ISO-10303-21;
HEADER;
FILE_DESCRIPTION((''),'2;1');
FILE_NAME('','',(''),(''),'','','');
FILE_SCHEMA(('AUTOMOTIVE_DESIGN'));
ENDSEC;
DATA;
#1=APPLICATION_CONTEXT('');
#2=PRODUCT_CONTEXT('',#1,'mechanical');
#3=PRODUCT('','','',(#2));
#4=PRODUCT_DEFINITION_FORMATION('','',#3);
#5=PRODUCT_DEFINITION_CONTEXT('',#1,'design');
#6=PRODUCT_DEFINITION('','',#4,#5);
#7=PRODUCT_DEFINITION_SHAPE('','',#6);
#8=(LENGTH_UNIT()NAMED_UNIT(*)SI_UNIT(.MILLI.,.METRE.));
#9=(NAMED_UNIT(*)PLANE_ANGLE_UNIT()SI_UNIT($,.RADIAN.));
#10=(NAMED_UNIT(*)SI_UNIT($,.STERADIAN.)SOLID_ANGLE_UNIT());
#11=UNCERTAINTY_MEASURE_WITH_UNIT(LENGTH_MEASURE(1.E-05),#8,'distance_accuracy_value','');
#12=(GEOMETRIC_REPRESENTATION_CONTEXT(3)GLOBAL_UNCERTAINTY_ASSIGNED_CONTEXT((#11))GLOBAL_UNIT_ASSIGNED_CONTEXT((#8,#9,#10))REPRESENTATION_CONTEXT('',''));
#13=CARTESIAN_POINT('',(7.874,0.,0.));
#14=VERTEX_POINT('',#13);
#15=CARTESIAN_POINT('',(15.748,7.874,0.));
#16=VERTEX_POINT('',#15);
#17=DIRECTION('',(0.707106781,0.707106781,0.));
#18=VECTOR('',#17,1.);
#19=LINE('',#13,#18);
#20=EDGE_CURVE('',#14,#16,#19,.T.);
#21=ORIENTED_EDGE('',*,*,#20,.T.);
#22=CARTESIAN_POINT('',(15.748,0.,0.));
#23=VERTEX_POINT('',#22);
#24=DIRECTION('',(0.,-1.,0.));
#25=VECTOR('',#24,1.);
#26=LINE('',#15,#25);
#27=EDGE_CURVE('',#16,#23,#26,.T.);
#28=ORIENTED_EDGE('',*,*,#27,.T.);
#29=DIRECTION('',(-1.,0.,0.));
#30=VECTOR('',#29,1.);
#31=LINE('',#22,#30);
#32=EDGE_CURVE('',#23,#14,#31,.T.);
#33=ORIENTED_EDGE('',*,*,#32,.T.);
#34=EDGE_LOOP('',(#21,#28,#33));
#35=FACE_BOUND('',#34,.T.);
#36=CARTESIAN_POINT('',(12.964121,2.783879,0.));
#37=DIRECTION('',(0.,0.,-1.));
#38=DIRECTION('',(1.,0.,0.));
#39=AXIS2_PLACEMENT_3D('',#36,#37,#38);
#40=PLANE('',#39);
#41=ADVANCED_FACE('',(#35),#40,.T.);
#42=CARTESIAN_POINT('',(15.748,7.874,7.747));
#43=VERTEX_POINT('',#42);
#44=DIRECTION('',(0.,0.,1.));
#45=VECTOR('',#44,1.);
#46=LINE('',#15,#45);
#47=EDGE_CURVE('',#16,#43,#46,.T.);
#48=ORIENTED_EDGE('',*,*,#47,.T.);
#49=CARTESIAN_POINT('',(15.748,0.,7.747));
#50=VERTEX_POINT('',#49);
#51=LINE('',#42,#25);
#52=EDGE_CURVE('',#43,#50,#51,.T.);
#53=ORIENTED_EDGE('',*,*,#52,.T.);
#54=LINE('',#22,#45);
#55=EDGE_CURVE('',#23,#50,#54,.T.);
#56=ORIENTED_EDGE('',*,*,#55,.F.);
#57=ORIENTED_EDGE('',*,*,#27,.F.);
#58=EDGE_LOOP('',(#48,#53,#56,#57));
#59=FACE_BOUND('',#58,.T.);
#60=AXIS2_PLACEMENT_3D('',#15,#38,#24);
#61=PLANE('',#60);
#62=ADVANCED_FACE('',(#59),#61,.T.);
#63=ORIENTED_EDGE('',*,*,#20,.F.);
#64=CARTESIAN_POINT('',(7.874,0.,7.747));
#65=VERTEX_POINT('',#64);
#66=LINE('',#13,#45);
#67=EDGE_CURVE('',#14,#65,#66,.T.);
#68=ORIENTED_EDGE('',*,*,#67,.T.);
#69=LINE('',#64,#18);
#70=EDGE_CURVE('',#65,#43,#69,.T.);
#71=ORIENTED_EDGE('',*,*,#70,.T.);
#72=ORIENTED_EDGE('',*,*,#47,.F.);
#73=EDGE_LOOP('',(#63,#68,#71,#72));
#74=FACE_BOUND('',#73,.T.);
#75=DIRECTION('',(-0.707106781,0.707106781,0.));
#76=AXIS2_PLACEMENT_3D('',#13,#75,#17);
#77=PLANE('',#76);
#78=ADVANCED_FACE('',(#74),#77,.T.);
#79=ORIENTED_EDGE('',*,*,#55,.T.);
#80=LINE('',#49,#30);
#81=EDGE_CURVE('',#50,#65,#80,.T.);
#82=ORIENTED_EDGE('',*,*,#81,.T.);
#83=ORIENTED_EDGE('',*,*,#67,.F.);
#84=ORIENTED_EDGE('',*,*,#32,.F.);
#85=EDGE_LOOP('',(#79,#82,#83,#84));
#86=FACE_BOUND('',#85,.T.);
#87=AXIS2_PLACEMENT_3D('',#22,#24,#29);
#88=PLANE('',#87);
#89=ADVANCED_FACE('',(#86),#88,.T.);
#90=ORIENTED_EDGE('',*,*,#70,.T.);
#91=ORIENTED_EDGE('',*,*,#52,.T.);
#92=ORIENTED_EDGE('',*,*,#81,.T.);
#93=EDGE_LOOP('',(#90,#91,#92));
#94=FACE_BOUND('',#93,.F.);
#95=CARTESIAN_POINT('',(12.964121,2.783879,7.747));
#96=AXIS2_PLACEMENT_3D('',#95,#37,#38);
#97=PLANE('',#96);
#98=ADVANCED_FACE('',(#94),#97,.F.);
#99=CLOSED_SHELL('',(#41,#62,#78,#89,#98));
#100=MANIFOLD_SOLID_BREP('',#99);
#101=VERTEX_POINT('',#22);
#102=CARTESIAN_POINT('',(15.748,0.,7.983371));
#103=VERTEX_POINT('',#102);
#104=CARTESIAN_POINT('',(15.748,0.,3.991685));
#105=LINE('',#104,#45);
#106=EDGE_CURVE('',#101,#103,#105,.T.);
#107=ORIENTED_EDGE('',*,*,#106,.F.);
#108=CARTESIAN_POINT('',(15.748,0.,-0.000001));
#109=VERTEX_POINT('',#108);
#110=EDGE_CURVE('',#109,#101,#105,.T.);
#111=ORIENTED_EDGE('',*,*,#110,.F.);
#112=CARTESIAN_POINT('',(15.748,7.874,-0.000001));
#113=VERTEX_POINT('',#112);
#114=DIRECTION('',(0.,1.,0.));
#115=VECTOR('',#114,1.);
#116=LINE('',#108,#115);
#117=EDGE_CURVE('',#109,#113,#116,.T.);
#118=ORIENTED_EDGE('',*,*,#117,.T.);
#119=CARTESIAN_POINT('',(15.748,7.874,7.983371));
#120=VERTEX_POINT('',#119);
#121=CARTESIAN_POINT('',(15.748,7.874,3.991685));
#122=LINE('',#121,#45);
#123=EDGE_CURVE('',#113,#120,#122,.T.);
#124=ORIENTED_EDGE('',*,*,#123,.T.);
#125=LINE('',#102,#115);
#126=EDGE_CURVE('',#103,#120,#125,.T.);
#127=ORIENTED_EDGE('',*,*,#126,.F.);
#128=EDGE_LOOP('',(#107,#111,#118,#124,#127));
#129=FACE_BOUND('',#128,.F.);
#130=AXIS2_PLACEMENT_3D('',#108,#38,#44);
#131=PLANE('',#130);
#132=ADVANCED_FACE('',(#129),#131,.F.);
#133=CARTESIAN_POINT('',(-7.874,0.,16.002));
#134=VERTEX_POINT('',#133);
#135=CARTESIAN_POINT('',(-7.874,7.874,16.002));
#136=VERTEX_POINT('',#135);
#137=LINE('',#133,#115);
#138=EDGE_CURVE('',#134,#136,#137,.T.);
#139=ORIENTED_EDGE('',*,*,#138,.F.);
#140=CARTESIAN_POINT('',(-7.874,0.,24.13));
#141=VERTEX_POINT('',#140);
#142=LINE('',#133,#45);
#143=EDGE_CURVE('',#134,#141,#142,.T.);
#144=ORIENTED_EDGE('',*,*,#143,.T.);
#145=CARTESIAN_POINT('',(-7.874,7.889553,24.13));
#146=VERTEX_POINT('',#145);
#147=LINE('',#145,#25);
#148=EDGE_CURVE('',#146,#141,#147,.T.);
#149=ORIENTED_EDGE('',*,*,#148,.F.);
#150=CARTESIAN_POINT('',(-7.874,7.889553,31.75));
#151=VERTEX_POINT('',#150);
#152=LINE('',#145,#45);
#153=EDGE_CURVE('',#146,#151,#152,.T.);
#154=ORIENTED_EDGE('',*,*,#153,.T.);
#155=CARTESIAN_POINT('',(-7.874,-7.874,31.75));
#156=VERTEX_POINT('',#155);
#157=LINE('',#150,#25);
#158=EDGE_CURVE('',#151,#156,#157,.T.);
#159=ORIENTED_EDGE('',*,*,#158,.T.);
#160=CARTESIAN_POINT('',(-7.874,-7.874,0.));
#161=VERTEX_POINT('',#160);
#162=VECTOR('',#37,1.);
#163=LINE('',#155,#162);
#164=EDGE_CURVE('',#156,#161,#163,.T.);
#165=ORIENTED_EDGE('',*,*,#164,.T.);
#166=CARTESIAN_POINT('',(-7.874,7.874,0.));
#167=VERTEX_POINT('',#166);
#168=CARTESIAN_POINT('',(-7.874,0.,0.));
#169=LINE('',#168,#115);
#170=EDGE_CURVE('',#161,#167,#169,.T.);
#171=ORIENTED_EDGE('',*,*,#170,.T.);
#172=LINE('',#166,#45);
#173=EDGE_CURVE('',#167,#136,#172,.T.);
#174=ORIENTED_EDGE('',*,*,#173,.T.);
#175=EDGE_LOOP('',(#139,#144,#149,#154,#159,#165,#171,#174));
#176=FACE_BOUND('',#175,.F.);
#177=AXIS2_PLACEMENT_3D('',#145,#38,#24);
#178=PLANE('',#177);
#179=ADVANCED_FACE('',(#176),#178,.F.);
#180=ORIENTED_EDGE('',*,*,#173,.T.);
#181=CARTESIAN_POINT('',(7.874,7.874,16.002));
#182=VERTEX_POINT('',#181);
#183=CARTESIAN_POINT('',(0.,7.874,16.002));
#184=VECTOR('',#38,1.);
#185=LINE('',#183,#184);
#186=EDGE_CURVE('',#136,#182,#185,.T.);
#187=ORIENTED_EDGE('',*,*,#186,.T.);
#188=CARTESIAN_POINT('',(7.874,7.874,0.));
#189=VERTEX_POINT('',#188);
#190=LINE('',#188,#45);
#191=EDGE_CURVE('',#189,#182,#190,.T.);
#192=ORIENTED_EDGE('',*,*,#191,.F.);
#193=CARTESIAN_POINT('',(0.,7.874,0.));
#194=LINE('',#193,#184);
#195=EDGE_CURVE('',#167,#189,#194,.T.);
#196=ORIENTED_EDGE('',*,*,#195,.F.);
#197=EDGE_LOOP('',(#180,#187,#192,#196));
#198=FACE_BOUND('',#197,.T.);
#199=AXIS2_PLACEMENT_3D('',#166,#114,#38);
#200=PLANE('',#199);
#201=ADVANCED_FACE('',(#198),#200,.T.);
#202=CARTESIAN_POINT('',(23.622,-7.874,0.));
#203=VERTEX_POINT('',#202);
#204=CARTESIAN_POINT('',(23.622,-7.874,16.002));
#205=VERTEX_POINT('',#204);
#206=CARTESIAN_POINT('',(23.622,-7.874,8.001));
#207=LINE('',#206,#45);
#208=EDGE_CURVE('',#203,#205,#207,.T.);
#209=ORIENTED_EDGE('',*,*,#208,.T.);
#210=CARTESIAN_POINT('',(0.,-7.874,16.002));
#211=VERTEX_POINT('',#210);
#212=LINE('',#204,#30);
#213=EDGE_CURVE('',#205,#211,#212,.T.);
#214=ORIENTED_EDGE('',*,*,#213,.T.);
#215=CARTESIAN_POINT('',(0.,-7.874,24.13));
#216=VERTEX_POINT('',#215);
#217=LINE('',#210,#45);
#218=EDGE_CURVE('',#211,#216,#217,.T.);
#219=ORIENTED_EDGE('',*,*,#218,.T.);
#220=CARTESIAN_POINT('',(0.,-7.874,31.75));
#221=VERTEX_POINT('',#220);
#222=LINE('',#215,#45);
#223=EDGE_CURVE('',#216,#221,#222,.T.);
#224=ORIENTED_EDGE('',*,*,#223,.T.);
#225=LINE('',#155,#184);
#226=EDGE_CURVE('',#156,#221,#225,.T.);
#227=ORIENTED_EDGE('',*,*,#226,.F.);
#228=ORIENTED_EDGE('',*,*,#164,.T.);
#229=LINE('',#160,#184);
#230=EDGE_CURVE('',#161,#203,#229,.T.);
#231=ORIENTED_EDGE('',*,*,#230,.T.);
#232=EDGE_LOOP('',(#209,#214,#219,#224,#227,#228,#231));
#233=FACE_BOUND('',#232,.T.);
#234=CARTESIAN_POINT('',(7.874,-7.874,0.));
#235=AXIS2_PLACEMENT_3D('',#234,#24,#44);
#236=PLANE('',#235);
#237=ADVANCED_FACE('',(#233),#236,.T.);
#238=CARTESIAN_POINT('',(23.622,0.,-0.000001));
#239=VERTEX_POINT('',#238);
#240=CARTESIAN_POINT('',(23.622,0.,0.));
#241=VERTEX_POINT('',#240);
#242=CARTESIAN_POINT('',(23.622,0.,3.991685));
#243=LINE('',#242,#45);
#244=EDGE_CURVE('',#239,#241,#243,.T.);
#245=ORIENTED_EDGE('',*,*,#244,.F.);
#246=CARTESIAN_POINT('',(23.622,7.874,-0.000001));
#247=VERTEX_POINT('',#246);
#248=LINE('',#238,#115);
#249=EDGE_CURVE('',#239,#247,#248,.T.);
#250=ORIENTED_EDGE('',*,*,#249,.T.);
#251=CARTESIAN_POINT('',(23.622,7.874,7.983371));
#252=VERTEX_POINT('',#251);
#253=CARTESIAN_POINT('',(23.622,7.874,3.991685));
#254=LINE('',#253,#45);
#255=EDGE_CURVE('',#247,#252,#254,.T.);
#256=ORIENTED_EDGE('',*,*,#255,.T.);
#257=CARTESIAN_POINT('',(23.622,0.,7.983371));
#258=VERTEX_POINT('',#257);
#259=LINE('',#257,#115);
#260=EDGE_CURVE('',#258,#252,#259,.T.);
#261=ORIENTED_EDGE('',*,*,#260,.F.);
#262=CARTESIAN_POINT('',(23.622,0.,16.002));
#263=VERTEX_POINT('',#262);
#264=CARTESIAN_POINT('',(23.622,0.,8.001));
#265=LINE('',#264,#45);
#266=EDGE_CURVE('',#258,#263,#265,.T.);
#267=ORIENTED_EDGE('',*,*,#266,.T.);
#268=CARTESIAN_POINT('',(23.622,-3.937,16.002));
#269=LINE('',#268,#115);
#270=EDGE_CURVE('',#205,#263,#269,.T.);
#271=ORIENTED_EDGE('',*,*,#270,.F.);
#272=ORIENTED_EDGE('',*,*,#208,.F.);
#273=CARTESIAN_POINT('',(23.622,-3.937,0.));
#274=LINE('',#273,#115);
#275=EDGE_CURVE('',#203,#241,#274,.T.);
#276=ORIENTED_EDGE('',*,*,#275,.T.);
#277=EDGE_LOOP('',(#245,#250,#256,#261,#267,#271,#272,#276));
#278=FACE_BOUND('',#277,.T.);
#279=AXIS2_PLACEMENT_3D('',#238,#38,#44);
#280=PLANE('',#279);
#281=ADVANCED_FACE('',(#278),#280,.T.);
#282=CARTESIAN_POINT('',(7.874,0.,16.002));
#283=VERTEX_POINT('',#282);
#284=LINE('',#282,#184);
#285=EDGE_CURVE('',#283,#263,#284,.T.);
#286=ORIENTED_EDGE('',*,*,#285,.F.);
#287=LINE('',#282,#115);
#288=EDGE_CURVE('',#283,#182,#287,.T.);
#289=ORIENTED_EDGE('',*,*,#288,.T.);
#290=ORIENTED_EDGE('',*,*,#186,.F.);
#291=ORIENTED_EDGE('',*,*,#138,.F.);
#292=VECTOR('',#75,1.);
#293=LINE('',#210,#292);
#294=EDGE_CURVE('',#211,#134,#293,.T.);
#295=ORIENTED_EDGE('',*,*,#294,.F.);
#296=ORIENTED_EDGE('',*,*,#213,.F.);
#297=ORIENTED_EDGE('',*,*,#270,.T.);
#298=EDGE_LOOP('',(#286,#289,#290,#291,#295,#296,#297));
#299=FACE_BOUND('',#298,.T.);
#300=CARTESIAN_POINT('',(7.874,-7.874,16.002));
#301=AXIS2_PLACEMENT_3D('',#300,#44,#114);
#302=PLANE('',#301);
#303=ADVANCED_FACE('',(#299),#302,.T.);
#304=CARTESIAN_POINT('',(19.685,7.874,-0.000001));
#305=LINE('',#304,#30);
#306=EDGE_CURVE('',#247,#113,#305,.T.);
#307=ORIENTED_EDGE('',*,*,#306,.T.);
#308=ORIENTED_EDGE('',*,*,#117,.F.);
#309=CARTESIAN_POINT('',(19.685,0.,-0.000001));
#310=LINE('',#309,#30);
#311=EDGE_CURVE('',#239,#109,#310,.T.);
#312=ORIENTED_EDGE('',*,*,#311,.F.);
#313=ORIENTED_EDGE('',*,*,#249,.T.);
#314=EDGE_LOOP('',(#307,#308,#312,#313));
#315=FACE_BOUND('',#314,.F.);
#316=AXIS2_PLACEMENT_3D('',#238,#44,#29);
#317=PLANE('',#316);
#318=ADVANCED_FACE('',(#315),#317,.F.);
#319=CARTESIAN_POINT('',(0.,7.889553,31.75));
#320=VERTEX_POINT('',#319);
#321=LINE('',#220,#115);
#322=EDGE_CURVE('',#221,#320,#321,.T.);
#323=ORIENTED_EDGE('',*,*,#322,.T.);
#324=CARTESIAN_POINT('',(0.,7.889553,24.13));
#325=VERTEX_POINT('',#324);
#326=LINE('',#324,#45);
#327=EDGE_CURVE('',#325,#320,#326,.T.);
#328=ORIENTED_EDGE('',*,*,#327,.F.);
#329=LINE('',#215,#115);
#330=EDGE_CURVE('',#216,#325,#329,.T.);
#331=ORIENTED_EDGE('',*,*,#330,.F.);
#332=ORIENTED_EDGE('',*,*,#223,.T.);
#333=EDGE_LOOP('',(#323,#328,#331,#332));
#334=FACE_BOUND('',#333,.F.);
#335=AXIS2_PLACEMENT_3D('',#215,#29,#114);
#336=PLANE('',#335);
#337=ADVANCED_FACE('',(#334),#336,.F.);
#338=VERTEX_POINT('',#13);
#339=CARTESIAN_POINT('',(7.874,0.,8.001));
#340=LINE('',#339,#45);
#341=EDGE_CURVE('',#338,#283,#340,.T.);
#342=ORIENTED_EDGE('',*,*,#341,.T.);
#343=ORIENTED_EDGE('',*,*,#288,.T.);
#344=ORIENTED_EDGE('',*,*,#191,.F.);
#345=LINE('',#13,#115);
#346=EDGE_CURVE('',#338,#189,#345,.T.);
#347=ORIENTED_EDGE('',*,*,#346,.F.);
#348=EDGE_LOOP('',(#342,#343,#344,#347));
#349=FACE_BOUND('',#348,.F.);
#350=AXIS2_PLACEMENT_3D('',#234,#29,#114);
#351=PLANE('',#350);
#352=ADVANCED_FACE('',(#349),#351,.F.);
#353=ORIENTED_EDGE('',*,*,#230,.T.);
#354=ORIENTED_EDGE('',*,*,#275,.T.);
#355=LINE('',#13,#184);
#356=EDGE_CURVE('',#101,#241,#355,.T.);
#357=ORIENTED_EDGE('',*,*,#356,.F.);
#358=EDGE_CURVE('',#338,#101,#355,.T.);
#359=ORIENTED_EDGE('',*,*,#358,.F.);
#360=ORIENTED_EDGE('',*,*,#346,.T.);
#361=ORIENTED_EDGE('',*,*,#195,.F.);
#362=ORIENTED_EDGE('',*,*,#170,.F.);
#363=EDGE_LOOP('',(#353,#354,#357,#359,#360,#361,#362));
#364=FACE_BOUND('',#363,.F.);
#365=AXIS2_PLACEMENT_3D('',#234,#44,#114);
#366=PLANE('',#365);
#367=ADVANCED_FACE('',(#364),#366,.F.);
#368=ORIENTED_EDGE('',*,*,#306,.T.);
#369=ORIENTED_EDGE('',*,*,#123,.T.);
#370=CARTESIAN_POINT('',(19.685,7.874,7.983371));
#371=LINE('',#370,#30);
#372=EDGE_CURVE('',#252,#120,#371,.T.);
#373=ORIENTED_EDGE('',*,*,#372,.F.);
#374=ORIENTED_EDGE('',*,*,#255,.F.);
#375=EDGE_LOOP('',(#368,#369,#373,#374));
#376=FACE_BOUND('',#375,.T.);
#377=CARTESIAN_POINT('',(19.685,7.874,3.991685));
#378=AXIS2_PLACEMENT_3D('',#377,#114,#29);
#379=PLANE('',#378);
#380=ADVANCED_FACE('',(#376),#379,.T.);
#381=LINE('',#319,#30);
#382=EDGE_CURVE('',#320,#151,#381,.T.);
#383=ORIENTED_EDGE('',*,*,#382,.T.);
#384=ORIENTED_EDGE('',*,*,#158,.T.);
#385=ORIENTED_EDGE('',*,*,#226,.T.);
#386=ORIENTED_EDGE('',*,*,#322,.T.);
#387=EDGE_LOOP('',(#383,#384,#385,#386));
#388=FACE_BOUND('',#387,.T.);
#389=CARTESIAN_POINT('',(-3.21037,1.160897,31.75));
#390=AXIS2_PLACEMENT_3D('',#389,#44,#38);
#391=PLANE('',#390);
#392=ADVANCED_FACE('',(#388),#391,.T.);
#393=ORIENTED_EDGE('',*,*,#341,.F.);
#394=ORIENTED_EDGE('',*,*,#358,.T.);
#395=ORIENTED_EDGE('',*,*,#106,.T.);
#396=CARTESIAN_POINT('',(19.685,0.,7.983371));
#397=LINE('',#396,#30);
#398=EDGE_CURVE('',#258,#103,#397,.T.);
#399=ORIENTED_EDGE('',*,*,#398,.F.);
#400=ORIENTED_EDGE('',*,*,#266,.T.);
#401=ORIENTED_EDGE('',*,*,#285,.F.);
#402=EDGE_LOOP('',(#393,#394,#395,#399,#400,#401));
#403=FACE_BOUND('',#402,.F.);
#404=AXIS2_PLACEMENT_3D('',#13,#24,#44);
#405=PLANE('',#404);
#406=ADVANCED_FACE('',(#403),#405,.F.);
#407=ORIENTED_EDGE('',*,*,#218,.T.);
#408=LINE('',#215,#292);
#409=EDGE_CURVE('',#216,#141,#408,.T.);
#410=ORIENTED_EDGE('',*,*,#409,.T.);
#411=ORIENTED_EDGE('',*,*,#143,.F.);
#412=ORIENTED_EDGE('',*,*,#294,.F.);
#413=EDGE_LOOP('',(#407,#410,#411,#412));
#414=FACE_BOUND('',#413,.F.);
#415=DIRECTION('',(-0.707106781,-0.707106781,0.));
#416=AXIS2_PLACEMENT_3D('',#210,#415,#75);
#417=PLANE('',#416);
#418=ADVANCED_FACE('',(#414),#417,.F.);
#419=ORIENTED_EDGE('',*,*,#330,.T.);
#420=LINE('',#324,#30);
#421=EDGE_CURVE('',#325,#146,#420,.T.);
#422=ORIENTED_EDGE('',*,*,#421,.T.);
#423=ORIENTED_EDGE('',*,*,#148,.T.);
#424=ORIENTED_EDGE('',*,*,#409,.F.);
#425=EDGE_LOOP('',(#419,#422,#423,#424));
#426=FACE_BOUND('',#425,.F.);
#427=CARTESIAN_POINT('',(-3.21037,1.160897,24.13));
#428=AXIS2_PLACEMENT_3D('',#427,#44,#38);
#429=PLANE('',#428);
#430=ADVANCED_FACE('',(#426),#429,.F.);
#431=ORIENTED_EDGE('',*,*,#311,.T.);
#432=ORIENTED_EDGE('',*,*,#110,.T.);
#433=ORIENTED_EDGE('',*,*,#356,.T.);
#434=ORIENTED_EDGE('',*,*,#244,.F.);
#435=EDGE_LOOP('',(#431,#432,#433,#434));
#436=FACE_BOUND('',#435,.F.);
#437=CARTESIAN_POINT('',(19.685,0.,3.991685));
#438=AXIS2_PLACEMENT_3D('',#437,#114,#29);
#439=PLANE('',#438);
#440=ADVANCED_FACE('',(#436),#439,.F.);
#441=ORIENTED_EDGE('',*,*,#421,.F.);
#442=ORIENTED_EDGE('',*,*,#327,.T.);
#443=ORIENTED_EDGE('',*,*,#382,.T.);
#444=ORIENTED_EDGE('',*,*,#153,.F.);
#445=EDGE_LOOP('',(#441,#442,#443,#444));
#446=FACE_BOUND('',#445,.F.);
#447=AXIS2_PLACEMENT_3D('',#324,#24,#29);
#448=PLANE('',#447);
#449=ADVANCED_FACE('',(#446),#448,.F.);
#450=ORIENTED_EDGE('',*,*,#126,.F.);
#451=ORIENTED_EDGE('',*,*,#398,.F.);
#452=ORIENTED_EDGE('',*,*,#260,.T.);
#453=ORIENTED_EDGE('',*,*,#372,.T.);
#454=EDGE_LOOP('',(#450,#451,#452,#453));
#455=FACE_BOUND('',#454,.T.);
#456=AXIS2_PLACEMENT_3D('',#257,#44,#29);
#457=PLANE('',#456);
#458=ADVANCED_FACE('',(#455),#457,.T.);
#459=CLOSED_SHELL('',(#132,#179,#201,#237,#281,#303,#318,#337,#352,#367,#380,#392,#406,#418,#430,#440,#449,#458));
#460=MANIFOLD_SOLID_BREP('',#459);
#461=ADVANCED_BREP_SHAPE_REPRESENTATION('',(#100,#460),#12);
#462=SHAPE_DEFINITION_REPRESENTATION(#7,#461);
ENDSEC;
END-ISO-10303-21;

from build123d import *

# Parameters (mm, degrees)
F0_W      = 15.748
F0_H      = 15.748
F1_DEPTH  = 16.002
F3_DEPTH  = 8.128
F5_DEPTH  = 7.62
F6_W      = 7.874
F6_H      = 16.002
F7_DEPTH  = 15.748
F8_W      = 7.874
F8_H      = 7.983371
F9_DEPTH  = 7.874
F11_DEPTH = 7.747


with BuildPart() as f1:
    # F0 (on Top) → F1 (new body)
    with BuildSketch(Plane.XY):
        Rectangle(F0_W, F0_H)
    extrude(amount=F1_DEPTH)

    # F2 (on face) → F3 (join)
    with BuildSketch(Plane.XY.offset(16.002)):
        Polygon((0, -7.874), (-7.874, 0), (-7.874, -7.874), align=None)
    extrude(amount=F3_DEPTH)

    # F4 (on face) → F5 (join)
    with BuildSketch(Plane.XY.offset(24.13)):
        Polygon((-7.874, 0), (0, -7.874), (0, 7.889553), (-7.874, 7.889553), align=None)
        Polygon((-7.874, 0), (-7.874, -7.874), (0, -7.874), align=None)
    extrude(amount=F5_DEPTH)

    # F6 (on face) → F7 (join)
    with BuildSketch(Plane.YZ.offset(7.874)):
        with Locations((-3.937, 8.001)):
            Rectangle(F6_W, F6_H)
    extrude(amount=F7_DEPTH)

    # F8 (on face) → F9 (join, through all)
    with BuildSketch(Plane(origin=(0, 0, 0), x_dir=(-1, 0, 0), z_dir=(0, 1, 0))):
        with Locations((-19.685, 3.991685)):
            Rectangle(F8_W, F8_H)
    extrude(amount=F9_DEPTH)


with BuildPart() as f11:
    # F10 (on face) → F11 (new body)
    with BuildSketch(Plane(origin=(0, 0, 0), x_dir=(1, 0, 0), z_dir=(0, 0, -1))):
        Polygon((7.874, 0), (15.748, -7.874), (15.748, 0), align=None)
    extrude(amount=-F11_DEPTH)


solid = Compound([f1.part, f11.part])
